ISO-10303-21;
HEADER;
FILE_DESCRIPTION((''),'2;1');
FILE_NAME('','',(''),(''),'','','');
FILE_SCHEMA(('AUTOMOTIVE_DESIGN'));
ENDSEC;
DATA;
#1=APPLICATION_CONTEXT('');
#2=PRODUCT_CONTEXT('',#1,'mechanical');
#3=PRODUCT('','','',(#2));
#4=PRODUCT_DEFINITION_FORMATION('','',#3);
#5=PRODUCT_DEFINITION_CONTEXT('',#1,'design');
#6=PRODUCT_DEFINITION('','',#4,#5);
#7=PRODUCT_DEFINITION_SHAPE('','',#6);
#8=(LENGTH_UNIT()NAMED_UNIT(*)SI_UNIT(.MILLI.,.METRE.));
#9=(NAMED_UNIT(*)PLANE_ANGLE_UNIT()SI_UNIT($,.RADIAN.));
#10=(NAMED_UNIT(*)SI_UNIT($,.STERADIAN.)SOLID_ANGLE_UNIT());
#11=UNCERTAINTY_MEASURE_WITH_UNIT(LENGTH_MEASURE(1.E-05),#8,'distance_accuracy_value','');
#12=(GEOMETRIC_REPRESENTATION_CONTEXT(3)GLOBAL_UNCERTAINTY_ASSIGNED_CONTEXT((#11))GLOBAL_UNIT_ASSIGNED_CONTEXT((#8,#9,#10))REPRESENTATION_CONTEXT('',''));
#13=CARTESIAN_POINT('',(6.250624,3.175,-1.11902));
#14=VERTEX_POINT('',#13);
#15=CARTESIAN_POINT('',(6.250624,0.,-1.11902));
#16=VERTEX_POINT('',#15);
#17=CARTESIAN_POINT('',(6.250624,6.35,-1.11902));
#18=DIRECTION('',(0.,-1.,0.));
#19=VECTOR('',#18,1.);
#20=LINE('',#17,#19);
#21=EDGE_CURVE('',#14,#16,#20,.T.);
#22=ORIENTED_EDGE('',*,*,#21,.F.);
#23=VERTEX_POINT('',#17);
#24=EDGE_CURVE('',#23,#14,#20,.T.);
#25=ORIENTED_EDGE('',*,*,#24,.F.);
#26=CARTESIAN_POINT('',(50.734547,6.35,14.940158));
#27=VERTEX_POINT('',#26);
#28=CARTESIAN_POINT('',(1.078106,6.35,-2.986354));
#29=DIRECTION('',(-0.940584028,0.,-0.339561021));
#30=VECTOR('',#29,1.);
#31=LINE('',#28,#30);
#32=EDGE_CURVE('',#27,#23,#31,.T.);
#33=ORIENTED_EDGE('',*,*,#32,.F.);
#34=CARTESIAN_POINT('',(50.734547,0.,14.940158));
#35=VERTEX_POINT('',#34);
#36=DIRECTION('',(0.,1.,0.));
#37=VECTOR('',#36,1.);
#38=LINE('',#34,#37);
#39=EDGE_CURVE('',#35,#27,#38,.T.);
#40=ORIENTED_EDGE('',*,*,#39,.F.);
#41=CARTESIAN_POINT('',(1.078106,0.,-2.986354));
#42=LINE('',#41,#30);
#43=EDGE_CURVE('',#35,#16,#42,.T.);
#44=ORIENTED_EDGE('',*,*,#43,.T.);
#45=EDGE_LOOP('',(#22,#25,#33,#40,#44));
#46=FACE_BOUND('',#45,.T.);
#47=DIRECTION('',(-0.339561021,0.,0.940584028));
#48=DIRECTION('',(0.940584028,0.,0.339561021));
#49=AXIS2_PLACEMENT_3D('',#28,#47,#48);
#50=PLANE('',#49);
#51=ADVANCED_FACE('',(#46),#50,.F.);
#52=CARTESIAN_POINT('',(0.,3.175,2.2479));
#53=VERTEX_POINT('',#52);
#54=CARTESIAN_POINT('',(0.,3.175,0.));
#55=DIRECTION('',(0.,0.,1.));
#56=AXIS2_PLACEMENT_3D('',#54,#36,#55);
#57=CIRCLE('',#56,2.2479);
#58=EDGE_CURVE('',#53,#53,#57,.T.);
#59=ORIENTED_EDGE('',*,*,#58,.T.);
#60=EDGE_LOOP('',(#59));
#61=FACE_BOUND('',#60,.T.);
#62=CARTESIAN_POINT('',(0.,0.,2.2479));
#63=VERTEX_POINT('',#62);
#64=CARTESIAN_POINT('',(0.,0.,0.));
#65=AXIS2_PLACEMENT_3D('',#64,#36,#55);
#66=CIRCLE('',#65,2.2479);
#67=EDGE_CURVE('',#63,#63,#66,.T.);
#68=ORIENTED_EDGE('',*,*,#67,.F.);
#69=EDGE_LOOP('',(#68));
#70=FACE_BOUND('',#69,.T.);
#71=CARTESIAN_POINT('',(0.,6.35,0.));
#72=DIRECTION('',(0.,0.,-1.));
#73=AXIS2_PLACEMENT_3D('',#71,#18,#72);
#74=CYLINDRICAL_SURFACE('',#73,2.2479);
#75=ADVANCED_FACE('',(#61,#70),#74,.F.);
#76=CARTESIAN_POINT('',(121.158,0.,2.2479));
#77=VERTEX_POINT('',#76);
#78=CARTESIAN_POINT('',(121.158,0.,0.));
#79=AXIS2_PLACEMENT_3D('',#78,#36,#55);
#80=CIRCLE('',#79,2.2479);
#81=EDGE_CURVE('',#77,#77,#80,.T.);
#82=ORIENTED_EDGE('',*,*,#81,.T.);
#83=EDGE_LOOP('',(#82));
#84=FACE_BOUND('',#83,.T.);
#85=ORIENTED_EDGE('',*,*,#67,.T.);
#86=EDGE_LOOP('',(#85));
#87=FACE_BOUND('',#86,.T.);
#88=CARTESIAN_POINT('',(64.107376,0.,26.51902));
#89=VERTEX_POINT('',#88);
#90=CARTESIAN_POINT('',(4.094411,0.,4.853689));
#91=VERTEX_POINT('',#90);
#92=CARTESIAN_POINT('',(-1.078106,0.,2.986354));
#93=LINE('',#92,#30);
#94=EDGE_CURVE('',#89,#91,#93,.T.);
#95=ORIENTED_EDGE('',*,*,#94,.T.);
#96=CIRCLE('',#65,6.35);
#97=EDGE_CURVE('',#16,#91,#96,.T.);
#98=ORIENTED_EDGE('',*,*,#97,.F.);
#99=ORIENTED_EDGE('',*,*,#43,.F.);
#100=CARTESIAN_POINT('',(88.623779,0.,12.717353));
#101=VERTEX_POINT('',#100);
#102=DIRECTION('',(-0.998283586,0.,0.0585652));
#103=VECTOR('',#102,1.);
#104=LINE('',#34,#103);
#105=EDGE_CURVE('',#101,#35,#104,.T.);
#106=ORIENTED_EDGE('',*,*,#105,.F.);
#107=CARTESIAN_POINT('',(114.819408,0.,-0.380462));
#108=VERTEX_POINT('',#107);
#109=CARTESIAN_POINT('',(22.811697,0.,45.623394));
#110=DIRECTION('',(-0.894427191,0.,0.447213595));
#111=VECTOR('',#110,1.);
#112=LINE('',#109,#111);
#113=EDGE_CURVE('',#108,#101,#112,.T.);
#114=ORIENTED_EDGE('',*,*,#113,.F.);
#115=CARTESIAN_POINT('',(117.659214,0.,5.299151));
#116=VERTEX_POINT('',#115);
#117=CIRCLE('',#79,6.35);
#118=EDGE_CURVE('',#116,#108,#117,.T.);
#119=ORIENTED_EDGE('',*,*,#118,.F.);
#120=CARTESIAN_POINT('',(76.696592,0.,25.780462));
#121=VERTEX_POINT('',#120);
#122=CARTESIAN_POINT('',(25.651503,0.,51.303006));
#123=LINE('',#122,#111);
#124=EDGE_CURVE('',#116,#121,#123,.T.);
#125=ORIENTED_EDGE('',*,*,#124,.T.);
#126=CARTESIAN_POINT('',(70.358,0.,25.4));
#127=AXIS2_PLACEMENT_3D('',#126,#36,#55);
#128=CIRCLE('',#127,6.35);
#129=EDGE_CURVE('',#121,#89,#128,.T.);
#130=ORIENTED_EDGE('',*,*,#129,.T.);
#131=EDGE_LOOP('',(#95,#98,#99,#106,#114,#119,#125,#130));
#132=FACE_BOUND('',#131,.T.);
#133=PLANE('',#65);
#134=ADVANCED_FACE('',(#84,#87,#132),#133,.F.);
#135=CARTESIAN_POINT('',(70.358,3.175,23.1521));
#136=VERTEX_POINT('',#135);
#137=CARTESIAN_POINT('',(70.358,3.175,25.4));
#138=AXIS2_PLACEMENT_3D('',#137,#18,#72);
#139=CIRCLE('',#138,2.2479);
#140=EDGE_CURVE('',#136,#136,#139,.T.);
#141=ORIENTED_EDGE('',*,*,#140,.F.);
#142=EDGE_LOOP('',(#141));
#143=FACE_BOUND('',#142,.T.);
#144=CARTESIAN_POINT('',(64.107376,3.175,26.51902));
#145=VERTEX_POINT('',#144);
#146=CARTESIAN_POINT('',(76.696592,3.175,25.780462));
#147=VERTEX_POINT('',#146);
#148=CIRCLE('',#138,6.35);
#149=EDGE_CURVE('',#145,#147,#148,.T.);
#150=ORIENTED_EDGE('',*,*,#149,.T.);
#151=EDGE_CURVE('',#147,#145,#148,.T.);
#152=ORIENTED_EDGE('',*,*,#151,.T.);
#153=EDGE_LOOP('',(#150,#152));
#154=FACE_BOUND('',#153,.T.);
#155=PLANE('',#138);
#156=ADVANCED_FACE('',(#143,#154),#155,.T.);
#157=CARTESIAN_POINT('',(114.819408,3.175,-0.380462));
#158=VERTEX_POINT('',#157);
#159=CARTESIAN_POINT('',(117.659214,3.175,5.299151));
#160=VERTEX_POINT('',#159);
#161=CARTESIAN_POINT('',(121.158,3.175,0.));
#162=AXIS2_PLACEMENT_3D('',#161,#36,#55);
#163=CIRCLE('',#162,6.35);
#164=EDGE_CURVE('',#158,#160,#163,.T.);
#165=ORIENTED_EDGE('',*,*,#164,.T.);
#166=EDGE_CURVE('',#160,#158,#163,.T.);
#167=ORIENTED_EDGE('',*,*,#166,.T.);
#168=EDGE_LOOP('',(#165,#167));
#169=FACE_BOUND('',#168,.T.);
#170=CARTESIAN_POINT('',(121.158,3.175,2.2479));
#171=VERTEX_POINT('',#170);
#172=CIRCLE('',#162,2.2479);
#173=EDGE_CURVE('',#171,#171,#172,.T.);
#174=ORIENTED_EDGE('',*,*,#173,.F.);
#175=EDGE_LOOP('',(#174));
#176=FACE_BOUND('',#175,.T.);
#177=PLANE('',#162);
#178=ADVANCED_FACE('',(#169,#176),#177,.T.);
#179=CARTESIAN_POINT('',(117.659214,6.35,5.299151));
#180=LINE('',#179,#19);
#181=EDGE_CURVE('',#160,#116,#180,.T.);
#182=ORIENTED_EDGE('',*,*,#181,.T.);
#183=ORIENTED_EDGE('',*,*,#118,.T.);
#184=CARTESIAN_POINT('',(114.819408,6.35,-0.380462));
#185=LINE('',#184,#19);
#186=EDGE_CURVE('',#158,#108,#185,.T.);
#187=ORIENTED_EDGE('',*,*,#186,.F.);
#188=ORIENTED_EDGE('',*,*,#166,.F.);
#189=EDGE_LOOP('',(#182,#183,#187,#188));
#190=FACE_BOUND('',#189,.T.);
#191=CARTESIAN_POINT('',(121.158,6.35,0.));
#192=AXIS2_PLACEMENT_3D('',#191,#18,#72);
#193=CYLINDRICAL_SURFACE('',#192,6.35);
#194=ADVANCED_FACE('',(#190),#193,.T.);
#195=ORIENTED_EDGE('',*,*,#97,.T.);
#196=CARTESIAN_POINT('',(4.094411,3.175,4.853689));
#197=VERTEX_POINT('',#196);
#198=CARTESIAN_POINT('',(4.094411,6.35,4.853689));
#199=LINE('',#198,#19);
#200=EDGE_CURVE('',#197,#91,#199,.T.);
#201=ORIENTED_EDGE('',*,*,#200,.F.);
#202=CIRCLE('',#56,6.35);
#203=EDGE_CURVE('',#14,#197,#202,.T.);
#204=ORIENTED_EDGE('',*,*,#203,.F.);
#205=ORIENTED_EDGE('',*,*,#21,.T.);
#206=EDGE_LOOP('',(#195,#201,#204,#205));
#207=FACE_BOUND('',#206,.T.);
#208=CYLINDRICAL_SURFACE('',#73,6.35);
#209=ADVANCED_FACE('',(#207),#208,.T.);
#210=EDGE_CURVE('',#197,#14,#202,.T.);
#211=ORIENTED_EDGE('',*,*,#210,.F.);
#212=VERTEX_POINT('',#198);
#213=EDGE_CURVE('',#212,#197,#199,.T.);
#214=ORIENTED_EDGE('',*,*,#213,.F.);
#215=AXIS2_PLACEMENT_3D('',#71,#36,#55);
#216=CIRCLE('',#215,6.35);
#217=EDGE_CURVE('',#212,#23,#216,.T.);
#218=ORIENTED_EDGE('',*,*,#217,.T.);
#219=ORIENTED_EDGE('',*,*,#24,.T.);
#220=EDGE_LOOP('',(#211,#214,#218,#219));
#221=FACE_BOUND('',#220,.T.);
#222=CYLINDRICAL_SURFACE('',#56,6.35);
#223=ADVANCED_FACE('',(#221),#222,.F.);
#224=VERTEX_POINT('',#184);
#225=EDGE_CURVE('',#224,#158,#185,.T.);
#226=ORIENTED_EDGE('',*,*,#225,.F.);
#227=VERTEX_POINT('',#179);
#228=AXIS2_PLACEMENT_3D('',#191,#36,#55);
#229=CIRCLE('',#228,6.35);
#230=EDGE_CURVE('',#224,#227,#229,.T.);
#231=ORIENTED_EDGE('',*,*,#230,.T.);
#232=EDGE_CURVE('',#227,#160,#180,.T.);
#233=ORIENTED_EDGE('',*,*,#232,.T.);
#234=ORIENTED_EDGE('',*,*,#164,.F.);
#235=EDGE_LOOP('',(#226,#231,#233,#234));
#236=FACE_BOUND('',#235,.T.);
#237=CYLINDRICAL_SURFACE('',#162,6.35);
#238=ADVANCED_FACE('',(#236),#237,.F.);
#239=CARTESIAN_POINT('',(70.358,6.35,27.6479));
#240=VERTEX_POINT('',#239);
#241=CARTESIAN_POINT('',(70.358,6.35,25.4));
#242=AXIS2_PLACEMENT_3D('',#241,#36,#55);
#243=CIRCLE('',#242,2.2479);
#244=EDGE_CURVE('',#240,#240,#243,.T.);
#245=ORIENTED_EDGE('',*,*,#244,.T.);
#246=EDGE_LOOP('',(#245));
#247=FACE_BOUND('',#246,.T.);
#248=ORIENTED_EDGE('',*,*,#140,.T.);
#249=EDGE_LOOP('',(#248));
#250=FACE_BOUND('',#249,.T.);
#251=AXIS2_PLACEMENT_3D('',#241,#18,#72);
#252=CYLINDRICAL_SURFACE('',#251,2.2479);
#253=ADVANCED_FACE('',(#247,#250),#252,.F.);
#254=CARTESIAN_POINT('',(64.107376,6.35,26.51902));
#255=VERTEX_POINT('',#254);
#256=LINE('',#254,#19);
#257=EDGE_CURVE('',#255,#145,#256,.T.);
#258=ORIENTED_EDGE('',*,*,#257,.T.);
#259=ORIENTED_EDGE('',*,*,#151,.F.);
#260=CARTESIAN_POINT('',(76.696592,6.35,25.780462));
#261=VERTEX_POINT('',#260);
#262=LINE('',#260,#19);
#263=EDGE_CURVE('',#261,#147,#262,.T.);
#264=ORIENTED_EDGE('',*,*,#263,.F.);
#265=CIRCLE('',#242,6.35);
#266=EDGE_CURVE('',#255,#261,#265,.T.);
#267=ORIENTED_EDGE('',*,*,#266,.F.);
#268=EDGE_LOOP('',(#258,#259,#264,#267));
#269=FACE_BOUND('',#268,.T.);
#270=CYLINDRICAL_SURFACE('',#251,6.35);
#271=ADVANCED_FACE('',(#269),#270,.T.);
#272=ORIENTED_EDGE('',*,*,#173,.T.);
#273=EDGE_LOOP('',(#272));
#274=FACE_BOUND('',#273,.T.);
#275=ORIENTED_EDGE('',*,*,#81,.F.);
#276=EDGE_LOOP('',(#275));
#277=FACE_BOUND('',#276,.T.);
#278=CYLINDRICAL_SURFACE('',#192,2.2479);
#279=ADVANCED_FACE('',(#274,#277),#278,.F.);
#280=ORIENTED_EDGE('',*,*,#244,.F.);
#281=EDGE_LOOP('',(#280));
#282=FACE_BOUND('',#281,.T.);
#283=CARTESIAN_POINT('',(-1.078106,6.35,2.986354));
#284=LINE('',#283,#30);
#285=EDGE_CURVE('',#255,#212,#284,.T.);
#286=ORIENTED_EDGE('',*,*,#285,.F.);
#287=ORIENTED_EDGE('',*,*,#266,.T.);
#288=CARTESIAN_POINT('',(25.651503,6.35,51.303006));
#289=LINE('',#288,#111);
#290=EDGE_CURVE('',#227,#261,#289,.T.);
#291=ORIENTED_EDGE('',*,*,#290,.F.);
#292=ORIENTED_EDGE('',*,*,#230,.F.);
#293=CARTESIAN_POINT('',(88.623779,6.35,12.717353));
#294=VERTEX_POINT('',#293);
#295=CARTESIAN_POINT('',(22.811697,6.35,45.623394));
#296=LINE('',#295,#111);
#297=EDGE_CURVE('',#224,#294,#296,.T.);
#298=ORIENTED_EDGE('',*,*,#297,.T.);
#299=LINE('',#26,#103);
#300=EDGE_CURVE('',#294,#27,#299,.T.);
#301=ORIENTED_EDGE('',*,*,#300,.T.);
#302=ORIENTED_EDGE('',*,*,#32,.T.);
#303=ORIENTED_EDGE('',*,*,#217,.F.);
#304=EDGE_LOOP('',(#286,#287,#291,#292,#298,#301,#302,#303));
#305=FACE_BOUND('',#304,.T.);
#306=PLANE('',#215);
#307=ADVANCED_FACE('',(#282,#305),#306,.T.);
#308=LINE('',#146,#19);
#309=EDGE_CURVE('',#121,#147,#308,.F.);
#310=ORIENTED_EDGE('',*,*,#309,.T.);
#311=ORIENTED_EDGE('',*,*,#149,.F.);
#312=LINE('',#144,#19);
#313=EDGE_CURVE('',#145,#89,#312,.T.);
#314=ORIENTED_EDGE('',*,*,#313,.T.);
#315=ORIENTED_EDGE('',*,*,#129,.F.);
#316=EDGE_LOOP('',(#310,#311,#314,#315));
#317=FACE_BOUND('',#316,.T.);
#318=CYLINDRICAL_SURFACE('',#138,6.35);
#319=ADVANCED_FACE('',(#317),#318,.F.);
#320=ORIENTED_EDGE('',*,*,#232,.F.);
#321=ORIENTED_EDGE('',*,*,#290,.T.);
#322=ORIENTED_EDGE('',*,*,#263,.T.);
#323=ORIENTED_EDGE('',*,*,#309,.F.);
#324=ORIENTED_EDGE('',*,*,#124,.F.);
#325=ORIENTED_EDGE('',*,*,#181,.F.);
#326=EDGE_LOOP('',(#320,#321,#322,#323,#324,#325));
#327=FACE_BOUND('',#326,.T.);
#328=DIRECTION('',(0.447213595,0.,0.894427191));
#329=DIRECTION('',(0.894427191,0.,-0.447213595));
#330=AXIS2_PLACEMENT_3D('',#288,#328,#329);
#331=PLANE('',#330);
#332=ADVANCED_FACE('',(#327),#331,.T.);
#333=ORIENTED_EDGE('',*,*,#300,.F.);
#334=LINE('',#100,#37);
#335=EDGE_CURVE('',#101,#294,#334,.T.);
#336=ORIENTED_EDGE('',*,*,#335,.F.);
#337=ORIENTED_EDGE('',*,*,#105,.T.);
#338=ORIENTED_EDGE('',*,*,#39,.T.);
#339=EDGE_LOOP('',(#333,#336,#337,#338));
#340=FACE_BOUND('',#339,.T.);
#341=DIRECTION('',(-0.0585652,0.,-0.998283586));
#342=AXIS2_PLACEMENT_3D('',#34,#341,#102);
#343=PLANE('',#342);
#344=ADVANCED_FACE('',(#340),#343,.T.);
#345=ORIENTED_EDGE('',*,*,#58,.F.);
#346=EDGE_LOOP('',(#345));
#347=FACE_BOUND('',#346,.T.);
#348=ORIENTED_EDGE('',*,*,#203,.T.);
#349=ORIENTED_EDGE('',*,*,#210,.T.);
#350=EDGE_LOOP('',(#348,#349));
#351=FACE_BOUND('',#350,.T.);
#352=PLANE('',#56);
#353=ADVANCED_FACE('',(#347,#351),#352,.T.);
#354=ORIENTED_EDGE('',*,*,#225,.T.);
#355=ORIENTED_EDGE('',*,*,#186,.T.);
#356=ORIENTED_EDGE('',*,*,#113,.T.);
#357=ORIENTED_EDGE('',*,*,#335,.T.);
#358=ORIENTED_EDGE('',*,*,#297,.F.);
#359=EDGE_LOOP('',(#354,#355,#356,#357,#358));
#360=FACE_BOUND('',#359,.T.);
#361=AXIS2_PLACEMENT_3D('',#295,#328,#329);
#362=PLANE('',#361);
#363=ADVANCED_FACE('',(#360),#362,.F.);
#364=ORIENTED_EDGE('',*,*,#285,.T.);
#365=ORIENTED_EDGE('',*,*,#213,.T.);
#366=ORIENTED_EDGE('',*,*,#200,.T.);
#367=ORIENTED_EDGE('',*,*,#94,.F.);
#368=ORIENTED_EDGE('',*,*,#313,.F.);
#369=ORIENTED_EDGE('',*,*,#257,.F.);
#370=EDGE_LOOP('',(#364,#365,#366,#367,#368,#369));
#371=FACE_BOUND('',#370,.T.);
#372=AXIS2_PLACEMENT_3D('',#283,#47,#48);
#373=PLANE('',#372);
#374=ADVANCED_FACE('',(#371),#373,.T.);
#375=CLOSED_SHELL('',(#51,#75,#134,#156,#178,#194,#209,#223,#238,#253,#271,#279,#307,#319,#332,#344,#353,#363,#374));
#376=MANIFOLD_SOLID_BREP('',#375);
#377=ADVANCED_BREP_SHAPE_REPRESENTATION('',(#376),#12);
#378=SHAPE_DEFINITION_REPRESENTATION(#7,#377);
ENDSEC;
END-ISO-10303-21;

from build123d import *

# Parameters (mm, degrees)
SKETCH2_R           = 2.2479
BOSS_EXTRUDE2_DEPTH = 6.35
CUT_EXTRUDE1_START  = -3.175
SKETCH3_R           = 6.35
CUT_EXTRUDE1_DEPTH  = 3.175
SKETCH4_R           = 6.35
CUT_EXTRUDE2_DEPTH  = 3.175
BOSS_EXTRUDE3_START = -6.35
BOSS_EXTRUDE3_DEPTH = 6.35


with BuildPart() as part:
    # Sketch2 → Boss-Extrude2 (new body)
    with BuildSketch(Plane(origin=(0, 0, 0), x_dir=(1, 0, 0), z_dir=(0, 1, 0))):
        with BuildLine():
            Line((76.696592015, -25.780461907), (117.659214316, -5.299150756))
            ThreePointArc((117.659214316, -5.299150756), (126.837612663, 2.839806331), (114.819407985, 0.380461907))
            Line((114.819407985, 0.380461907), (73.856785684, -20.100849244))
            ThreePointArc((73.856785684, -20.100849244), (69.986110983, -19.060899231), (66.263588885, -20.546310927))
            Line((66.263588885, -20.546310927), (6.250623597, 1.119019502))
            ThreePointArc((6.250623597, 1.119019502), (-5.972708576, 2.156212482), (4.094411115, -4.853689073))
            Line((4.094411115, -4.853689073), (64.107376403, -26.519019502))
            ThreePointArc((64.107376403, -26.519019502), (70.729889017, -31.739100769), (76.696592015, -25.780461907))
        make_face()
        with Locations(Location((70.358, -25.4, 0), (0, 0, 270))):
            Circle(SKETCH2_R, mode=Mode.SUBTRACT)
        with Locations(Location((0, 0, 0), (0, 0, 270))):
            Circle(SKETCH2_R, mode=Mode.SUBTRACT)
        with Locations(Location((121.158, 0, 0), (0, 0, 270))):
            Circle(SKETCH2_R, mode=Mode.SUBTRACT)
    extrude(amount=BOSS_EXTRUDE2_DEPTH)

    # Sketch3 → Cut-Extrude1 (cut)
    with BuildSketch(Plane(origin=(0, 6.35, 0), x_dir=(1, 0, 0), z_dir=(0, 1, 0)).offset(CUT_EXTRUDE1_START)):
        Circle(SKETCH3_R)
        with Locations((121.158, 0)):
            Circle(SKETCH3_R)
    extrude(amount=CUT_EXTRUDE1_DEPTH, mode=Mode.SUBTRACT)

    # Sketch4 → Cut-Extrude2 (cut)
    with BuildSketch(Plane.XZ):
        with Locations((70.358, 25.4)):
            Circle(SKETCH4_R)
    extrude(amount=-CUT_EXTRUDE2_DEPTH, mode=Mode.SUBTRACT)

    # Sketch5 → Boss-Extrude3 (add)
    with BuildSketch(Plane(origin=(0, 6.35, 0), x_dir=(1, 0, 0), z_dir=(0, 1, 0)).offset(BOSS_EXTRUDE3_START)):
        with BuildLine():
            Line((88.623778607, -12.717352782), (73.856785684, -20.100849244))
            ThreePointArc((73.856785684, -20.100849244), (69.986110983, -19.060899231), (66.263588885, -20.546310927))
            Line((66.263588885, -20.546310927), (50.734546588, -14.940158473))
            Line((50.734546588, -14.940158473), (88.623778607, -12.717352782))
        make_face()
    extrude(amount=BOSS_EXTRUDE3_DEPTH)


solid = part.part
